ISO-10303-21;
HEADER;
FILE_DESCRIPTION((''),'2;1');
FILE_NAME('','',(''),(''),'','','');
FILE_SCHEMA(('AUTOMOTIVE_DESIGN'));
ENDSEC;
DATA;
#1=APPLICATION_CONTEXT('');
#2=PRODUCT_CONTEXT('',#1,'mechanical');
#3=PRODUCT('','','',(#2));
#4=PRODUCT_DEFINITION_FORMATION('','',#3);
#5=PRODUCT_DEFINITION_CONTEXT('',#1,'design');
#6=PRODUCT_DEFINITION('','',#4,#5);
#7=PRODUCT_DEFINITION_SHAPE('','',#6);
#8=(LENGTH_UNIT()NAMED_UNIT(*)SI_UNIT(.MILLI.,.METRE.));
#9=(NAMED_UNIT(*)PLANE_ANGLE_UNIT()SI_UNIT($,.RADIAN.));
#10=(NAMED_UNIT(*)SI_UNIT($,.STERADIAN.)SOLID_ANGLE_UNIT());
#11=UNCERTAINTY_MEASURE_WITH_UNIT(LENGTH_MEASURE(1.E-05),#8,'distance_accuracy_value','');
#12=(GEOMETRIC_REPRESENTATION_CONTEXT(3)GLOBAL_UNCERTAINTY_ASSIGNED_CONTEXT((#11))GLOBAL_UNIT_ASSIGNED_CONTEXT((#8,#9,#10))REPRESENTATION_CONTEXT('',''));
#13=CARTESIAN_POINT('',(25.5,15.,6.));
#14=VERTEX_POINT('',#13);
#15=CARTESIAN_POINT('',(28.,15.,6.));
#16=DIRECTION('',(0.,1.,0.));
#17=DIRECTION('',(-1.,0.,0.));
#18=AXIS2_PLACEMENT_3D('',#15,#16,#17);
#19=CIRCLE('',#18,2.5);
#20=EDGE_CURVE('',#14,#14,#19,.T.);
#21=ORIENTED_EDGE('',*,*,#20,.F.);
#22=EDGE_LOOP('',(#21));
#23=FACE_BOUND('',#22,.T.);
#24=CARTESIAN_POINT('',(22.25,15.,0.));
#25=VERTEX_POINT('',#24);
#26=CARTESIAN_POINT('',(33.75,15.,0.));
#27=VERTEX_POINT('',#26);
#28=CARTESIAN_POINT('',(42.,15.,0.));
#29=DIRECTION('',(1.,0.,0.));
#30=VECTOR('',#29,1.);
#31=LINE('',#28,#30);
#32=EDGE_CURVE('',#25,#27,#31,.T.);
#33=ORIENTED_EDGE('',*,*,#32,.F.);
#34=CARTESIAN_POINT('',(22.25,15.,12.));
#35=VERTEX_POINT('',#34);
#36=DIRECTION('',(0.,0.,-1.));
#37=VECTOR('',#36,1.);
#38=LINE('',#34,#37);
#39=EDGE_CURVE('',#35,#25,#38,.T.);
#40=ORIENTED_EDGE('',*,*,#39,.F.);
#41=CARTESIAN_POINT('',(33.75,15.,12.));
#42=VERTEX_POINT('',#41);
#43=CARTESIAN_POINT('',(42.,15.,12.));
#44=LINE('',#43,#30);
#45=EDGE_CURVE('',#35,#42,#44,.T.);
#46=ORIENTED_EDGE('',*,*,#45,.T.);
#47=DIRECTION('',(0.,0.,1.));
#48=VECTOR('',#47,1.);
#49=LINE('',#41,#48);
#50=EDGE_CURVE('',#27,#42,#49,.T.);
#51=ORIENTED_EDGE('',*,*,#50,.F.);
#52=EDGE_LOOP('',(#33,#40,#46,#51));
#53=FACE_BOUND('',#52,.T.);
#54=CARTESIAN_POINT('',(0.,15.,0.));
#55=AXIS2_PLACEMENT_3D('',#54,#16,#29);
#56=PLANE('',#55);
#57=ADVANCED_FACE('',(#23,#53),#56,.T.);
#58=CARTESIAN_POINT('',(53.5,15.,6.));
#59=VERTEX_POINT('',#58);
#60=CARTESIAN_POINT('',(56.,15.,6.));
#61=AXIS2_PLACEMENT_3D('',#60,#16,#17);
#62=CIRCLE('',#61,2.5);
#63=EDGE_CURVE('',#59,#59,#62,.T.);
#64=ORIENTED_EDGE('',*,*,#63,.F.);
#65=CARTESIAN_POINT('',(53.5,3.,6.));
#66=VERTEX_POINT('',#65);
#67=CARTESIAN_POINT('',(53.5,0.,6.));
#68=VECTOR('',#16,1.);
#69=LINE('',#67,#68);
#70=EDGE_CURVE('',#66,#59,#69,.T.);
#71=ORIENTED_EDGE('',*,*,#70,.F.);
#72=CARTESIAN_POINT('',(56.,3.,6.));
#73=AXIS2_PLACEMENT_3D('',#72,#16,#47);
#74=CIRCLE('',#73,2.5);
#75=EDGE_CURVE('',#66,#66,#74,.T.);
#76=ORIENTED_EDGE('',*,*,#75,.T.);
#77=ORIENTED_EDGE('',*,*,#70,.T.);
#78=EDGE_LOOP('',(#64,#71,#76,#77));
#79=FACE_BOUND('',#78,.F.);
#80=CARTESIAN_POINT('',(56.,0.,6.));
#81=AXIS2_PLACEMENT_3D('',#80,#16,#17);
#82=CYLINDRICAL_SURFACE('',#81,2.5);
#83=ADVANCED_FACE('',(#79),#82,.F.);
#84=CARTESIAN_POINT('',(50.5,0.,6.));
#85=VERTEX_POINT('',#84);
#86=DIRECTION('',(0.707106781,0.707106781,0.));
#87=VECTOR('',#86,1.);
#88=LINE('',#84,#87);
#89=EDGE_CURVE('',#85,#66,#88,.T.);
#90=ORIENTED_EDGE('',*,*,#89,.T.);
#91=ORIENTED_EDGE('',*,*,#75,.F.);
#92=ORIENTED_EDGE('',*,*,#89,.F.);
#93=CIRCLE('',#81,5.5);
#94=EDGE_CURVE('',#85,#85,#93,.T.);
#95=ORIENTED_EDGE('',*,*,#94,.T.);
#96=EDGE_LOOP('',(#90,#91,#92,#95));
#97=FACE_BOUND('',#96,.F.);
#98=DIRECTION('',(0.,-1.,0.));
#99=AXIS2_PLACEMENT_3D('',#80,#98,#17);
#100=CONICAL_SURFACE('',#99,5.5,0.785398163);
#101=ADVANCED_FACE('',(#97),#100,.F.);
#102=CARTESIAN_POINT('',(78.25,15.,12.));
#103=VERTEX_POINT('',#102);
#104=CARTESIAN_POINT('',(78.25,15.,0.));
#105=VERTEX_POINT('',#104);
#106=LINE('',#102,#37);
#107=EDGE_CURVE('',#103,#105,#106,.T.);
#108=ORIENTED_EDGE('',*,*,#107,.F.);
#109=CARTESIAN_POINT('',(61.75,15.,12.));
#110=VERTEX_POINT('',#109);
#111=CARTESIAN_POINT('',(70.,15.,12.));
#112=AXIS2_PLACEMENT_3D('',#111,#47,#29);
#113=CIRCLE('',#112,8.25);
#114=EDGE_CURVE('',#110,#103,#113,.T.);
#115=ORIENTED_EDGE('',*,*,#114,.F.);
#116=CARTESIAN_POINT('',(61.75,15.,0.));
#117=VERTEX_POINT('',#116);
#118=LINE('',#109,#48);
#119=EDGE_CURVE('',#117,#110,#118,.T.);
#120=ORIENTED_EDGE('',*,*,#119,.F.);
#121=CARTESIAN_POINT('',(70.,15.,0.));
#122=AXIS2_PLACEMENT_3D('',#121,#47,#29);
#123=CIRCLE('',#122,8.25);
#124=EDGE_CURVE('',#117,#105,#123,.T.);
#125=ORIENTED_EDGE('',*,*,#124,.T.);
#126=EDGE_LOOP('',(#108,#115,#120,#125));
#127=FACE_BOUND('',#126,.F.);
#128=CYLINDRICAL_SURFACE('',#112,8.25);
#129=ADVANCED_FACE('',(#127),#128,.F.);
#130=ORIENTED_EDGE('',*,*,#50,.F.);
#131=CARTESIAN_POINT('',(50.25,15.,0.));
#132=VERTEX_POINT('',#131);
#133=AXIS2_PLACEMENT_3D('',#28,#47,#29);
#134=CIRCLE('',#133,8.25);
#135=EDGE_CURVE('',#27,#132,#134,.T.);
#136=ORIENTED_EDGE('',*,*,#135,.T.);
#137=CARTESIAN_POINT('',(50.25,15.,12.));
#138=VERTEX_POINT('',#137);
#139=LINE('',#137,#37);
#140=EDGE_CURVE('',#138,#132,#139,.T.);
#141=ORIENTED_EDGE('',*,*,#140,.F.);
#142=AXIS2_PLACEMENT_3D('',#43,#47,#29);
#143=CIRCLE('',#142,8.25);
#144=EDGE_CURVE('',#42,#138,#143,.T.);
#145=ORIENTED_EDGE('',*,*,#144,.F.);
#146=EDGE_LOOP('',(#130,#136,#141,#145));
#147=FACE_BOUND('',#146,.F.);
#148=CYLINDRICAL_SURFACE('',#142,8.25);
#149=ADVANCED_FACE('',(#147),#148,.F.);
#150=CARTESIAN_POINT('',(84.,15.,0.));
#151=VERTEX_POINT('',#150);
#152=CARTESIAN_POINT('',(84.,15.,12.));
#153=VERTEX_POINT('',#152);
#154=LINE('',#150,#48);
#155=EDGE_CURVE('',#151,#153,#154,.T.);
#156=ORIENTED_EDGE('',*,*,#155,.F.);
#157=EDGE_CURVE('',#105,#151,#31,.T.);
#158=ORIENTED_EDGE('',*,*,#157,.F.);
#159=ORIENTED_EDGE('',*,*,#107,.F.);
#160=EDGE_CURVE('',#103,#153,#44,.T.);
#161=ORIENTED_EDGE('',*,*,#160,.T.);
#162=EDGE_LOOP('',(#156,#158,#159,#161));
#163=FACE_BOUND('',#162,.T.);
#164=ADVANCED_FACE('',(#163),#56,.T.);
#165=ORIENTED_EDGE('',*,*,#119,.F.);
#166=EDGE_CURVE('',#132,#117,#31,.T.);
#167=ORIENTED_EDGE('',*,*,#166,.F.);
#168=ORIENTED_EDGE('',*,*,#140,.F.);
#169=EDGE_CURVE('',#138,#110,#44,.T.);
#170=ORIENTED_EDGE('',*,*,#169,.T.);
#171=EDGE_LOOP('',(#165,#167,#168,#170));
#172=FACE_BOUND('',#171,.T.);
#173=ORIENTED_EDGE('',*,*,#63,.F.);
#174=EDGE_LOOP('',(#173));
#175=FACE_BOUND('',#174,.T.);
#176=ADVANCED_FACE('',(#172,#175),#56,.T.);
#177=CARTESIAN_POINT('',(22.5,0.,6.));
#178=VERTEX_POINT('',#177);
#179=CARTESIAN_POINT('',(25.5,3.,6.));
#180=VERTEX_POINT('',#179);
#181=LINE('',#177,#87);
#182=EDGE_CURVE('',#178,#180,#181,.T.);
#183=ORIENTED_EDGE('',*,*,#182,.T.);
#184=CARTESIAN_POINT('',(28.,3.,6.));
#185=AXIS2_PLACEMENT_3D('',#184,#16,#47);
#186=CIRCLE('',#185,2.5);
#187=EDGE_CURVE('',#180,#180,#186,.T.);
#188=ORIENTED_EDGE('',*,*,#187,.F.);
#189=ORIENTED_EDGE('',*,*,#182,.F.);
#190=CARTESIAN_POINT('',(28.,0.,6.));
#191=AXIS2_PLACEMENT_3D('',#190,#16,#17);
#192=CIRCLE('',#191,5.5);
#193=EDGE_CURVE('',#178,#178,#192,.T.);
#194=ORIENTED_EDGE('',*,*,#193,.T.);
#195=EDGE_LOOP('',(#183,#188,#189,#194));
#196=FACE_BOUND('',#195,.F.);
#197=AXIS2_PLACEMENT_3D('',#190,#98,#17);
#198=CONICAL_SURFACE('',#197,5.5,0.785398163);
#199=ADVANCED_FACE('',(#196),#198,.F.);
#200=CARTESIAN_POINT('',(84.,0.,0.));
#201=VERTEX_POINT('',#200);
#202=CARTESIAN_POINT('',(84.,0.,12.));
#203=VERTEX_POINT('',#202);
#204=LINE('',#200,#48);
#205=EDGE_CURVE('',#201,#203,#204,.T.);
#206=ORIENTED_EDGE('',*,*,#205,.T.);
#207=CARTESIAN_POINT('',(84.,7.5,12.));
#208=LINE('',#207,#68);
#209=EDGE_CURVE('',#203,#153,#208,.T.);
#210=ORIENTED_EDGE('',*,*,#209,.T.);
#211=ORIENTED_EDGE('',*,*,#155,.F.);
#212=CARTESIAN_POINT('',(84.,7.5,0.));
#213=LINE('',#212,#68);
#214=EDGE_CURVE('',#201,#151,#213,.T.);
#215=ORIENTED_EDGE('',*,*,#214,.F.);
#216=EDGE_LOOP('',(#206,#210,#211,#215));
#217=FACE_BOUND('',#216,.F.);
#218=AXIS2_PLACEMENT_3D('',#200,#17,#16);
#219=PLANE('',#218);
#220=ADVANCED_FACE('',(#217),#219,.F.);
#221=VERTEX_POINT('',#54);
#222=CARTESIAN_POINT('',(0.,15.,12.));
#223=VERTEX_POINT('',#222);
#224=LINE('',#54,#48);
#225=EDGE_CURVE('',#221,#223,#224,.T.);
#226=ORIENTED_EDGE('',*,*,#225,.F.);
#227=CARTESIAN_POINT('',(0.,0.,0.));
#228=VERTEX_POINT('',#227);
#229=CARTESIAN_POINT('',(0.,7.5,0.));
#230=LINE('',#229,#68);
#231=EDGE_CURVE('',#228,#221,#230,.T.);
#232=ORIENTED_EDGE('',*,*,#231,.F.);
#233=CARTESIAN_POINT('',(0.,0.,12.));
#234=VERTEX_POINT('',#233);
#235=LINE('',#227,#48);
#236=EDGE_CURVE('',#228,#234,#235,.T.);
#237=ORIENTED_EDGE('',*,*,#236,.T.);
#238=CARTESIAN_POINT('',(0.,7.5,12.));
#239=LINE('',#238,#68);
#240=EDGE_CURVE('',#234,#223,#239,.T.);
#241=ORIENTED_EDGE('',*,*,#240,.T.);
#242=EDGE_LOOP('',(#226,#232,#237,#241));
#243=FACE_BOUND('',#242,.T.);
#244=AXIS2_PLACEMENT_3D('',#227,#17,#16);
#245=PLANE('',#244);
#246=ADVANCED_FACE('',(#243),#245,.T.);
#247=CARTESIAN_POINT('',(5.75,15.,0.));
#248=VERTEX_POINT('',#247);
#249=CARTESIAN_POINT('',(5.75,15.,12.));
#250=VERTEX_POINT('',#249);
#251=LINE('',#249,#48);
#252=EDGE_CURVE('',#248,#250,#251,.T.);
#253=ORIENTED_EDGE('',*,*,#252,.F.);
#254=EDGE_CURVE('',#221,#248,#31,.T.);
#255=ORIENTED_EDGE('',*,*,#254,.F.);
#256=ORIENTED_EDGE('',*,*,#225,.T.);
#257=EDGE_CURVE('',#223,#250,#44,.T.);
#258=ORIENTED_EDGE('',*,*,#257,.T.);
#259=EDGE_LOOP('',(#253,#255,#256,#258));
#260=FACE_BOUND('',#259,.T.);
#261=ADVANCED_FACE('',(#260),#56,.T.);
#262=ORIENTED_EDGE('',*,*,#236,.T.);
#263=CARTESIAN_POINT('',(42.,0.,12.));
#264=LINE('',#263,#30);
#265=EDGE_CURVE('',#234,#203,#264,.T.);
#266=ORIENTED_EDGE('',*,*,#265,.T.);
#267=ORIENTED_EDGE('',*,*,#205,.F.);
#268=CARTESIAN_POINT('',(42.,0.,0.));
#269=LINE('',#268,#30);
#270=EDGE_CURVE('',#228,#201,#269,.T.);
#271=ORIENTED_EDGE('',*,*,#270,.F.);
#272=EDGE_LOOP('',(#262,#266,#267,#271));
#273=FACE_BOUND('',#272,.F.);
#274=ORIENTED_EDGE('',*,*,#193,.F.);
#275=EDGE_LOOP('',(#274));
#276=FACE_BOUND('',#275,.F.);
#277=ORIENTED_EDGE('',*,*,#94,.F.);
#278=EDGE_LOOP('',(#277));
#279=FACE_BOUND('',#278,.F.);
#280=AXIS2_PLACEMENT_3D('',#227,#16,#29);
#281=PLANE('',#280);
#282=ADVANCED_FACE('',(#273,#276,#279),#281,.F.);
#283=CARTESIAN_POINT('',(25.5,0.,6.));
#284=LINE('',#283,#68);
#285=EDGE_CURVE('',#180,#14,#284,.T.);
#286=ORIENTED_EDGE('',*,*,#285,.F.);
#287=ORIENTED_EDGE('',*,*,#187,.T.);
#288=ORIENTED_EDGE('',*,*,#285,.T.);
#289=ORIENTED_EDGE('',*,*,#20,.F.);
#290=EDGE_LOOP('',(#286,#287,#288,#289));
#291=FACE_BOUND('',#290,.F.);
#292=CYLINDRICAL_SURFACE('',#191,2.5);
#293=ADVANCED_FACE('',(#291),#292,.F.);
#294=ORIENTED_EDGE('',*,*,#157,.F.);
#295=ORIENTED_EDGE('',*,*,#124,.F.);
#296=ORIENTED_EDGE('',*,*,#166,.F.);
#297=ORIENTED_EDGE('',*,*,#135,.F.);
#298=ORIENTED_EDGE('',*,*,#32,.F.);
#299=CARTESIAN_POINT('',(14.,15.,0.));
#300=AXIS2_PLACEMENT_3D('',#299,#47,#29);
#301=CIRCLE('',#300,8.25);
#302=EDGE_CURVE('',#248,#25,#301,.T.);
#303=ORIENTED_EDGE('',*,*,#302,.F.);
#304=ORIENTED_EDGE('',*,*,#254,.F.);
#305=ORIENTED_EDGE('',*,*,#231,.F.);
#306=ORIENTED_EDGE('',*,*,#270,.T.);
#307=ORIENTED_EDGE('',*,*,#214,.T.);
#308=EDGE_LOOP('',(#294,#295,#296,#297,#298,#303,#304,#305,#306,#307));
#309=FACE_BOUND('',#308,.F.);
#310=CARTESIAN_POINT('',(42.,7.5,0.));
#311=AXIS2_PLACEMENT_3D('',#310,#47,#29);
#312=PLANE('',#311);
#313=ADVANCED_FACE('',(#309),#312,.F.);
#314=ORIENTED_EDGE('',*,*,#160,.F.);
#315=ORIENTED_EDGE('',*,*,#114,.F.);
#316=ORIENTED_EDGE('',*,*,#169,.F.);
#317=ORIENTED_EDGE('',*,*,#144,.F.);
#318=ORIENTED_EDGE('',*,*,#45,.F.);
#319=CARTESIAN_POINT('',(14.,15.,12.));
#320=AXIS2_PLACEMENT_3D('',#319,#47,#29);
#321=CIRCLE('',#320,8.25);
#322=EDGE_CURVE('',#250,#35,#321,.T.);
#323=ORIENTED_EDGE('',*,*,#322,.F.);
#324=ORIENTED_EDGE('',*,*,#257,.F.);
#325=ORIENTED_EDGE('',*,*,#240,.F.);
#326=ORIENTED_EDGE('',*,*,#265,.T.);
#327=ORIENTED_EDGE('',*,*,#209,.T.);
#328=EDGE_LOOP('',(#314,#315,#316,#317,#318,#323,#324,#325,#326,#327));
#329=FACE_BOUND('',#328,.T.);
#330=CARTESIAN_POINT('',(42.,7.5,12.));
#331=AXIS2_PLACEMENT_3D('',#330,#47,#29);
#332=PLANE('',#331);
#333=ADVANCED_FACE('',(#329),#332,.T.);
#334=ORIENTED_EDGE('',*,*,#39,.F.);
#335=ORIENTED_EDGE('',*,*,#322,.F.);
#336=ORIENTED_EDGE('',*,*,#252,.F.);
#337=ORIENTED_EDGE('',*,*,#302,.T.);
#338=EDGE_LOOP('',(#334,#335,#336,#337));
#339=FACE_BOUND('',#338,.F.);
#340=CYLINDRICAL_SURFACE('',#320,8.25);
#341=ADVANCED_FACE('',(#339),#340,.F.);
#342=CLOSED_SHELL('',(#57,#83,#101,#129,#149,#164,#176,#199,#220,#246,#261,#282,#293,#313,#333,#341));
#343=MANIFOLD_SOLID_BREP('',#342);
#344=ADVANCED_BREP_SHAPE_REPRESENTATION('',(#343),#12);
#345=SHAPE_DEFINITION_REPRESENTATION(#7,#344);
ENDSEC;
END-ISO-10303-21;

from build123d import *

# Parameters (mm, degrees)
SKETCH_W               = 84
SKETCH_H               = 15
PAD_DEPTH              = 12
SKETCH001_R            = 8.25
POCKET_DEPTH           = 12.001
LINEARPATTERN001_COUNT = 3
LINEARPATTERN001_PITCH = 28
HOLE_D                 = 5
HOLE_CSINK_D           = 11
HOLE_CSINK_ANGLE       = 90
LINEARPATTERN_COUNT    = 2
LINEARPATTERN_PITCH    = 28


with BuildPart() as part:
    # Sketch → Pad (new body)
    with BuildSketch(Plane.XY):
        with Locations((42, 7.5)):
            Rectangle(SKETCH_W, SKETCH_H)
    extrude(amount=PAD_DEPTH)

    # Sketch001 (on DatumPlane) → Pocket (cut, through all)
    with BuildSketch(Plane.XY.offset(12)):
        with Locations((14, 15)):
            Circle(SKETCH001_R)
    pocket = extrude(amount=-POCKET_DEPTH, mode=Mode.SUBTRACT)

    # LinearPattern001: Pocket ×3
    with Locations(*[(i * LINEARPATTERN001_PITCH, 0, 0) for i in range(1, LINEARPATTERN001_COUNT)]):
        add(pocket, mode=Mode.SUBTRACT)

    # Hole (through all)
    with Locations(Plane.XZ):
        with Locations((28, 6)):
            hole = CounterSinkHole(HOLE_D / 2, HOLE_CSINK_D / 2, counter_sink_angle=HOLE_CSINK_ANGLE)

    # LinearPattern: Hole ×2
    with Locations(*[(i * LINEARPATTERN_PITCH, 0, 0) for i in range(1, LINEARPATTERN_COUNT)]):
        add(hole, mode=Mode.SUBTRACT)


solid = part.part
